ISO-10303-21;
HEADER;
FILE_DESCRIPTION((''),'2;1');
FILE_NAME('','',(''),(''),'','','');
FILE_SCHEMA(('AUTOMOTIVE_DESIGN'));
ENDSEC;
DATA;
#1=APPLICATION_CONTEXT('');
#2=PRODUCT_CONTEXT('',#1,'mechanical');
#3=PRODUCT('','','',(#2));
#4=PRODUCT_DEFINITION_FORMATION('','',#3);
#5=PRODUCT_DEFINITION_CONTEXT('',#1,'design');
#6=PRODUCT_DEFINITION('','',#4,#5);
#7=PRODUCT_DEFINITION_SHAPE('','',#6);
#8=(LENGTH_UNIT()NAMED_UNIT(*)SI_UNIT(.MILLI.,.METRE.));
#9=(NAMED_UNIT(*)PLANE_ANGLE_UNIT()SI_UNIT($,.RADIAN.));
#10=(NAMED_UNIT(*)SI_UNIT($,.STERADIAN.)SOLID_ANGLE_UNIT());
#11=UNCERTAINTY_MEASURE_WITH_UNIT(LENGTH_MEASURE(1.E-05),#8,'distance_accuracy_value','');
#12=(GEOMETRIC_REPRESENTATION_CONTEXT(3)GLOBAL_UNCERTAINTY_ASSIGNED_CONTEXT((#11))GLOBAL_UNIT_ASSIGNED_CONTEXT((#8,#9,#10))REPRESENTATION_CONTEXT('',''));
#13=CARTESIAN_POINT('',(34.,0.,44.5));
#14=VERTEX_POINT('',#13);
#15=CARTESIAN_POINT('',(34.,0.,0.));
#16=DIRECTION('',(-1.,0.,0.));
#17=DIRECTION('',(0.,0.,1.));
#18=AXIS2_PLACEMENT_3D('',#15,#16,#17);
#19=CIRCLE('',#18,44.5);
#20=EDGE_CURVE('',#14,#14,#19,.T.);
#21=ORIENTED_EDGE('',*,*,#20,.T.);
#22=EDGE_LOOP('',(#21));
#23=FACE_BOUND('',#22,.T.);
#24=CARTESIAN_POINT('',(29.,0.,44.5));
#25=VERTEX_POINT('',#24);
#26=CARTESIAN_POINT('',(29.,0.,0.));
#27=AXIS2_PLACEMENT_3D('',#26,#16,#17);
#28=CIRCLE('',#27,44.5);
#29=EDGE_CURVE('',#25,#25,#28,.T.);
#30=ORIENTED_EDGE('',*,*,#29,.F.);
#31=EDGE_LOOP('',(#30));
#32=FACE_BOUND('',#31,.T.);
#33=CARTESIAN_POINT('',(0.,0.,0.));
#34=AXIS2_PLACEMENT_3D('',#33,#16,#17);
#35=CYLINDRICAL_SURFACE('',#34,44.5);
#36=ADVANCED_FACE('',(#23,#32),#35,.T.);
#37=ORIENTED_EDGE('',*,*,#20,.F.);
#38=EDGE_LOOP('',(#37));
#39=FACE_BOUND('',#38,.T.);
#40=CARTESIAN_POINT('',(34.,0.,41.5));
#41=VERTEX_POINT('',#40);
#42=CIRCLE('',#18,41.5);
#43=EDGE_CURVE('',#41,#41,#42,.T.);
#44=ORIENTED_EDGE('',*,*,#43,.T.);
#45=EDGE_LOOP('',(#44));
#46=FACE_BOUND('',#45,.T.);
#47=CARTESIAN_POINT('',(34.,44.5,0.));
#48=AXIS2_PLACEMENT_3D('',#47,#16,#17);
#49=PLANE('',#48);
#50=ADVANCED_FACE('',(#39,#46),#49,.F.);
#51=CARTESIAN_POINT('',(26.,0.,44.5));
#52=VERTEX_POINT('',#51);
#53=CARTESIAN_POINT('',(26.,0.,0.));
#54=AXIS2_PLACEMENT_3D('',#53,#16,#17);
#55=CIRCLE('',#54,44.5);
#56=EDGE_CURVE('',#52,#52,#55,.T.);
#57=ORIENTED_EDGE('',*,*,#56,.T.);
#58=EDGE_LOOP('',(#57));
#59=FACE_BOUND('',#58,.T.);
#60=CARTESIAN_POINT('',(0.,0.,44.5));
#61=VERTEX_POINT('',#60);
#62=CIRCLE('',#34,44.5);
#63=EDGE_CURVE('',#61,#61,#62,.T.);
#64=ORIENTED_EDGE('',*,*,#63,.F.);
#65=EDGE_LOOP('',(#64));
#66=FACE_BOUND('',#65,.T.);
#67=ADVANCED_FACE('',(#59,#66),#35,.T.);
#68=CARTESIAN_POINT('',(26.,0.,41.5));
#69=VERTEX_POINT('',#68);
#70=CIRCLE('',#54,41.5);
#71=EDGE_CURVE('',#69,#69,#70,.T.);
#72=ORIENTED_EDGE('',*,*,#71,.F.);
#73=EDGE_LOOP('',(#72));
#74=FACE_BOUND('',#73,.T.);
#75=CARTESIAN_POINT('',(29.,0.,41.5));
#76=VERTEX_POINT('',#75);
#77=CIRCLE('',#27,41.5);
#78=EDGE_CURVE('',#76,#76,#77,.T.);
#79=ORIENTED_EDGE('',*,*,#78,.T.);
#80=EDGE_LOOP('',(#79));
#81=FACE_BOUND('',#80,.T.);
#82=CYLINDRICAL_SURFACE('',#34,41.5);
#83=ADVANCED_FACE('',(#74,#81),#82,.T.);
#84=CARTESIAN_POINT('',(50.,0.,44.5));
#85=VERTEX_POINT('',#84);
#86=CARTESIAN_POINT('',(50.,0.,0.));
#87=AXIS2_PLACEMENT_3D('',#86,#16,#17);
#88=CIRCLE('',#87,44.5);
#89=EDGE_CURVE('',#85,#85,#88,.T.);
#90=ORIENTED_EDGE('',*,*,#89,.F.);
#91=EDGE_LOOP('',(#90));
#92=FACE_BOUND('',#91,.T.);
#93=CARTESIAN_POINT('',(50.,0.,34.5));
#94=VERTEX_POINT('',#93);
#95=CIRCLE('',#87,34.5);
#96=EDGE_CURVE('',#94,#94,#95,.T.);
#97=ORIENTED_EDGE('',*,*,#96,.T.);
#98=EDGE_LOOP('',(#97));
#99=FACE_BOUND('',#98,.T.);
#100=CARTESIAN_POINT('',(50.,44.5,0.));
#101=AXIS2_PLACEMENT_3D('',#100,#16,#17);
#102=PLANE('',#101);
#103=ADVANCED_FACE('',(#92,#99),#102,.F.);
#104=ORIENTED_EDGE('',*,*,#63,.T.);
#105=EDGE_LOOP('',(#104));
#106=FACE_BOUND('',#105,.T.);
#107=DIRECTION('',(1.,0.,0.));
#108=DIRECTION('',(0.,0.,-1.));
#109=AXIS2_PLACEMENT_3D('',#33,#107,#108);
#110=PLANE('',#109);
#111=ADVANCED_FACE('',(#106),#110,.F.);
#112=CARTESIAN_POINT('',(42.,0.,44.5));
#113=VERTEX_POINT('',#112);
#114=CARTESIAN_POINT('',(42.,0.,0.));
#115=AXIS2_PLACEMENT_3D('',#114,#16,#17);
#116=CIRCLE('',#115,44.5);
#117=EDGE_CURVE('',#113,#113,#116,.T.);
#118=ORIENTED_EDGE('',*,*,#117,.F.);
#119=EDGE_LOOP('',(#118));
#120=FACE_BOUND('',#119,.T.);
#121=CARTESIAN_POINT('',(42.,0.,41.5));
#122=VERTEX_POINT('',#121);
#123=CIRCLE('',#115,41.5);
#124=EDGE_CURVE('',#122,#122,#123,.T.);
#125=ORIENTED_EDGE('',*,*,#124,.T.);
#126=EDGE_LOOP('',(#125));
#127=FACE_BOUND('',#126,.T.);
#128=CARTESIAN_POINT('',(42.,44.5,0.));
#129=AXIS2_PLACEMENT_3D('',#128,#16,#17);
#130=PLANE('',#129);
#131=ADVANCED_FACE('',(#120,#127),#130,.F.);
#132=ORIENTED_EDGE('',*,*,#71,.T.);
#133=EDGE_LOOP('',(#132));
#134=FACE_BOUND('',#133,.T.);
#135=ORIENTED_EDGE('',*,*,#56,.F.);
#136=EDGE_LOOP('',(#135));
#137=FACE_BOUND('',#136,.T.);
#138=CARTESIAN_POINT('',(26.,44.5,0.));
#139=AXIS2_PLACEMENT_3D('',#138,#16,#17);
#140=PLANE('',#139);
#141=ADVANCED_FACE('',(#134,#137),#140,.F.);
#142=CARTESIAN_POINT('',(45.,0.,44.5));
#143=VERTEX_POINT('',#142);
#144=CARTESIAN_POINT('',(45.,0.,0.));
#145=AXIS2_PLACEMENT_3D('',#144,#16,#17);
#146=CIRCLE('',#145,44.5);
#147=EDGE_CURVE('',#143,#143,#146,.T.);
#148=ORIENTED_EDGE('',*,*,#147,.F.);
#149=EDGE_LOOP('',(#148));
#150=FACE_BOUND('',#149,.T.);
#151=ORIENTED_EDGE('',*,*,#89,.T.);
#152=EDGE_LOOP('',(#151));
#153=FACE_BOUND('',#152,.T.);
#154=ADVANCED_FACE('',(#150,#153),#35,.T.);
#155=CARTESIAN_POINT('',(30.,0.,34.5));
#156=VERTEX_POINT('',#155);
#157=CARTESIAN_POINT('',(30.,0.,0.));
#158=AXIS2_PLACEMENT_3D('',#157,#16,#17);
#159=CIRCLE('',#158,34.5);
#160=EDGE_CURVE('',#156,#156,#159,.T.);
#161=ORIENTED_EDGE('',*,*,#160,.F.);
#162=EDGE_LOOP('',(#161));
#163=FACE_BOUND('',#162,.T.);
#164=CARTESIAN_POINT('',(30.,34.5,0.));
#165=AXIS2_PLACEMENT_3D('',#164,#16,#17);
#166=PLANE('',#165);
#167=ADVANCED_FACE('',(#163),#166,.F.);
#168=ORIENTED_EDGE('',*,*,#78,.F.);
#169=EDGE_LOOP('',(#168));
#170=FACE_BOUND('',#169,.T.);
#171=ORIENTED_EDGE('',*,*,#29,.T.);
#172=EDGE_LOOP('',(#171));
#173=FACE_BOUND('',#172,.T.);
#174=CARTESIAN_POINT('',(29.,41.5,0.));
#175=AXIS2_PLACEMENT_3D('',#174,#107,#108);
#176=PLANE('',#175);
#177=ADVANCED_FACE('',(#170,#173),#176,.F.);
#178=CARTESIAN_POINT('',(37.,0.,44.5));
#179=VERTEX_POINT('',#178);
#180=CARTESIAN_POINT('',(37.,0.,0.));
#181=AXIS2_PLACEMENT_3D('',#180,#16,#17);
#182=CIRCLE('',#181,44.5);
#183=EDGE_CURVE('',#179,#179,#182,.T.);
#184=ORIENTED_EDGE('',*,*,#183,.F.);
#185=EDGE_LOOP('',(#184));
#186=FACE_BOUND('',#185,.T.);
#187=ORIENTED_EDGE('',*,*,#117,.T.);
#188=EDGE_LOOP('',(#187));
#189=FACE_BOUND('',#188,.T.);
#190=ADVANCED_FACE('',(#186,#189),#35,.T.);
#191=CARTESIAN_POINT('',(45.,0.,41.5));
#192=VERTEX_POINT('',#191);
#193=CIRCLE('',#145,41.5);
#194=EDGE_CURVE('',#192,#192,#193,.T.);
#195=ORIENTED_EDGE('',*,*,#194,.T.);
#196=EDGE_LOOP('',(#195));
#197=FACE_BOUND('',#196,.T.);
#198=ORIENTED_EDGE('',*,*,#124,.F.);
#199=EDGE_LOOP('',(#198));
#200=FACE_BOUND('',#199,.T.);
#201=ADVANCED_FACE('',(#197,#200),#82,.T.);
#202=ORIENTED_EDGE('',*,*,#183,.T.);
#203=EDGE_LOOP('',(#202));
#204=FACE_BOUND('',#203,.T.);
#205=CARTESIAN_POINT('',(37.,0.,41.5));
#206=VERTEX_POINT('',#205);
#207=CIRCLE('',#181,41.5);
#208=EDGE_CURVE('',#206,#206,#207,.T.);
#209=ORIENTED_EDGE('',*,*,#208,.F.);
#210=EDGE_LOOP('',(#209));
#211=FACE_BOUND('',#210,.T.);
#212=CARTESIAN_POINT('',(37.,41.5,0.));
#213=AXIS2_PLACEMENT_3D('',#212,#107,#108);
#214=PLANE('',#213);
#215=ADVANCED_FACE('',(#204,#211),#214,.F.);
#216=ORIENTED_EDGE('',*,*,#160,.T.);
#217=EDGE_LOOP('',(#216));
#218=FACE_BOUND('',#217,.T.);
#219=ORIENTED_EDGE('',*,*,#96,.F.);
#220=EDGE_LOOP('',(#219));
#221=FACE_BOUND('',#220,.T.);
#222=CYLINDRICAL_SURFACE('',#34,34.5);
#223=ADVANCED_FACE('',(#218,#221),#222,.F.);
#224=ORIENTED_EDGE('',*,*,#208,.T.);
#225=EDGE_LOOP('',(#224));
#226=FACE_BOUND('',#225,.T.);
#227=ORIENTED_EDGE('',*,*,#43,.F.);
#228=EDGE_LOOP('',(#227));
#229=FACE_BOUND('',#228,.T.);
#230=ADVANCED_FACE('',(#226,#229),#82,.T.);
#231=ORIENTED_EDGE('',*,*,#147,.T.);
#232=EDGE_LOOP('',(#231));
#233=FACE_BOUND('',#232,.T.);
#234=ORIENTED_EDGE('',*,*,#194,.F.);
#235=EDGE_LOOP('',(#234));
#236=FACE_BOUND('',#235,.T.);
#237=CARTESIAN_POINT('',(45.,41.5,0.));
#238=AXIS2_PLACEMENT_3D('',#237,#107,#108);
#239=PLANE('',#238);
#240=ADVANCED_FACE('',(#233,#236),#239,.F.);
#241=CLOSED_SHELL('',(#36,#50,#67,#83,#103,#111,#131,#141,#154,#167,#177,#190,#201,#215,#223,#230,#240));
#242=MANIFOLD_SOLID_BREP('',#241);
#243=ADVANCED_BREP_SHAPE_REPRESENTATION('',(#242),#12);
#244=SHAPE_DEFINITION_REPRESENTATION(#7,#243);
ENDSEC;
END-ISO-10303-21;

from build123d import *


with BuildPart() as part:
    # Sketch1 → Revolve1 (revolve)
    with BuildSketch(Plane.XY):
        Polygon((0, 0), (0, 44.5), (26, 44.5), (26, 41.5), (29, 41.5), (29, 44.5), (34, 44.5), (34, 41.5), (37, 41.5), (37, 44.5), (42, 44.5), (42, 41.5), (45, 41.5), (45, 44.5), (50, 44.5), (50, 34.5), (30, 34.5), (30, 0), align=None)
    revolve(axis=Axis((0, 0, 0), (1, 0, 0)))


solid = part.part
